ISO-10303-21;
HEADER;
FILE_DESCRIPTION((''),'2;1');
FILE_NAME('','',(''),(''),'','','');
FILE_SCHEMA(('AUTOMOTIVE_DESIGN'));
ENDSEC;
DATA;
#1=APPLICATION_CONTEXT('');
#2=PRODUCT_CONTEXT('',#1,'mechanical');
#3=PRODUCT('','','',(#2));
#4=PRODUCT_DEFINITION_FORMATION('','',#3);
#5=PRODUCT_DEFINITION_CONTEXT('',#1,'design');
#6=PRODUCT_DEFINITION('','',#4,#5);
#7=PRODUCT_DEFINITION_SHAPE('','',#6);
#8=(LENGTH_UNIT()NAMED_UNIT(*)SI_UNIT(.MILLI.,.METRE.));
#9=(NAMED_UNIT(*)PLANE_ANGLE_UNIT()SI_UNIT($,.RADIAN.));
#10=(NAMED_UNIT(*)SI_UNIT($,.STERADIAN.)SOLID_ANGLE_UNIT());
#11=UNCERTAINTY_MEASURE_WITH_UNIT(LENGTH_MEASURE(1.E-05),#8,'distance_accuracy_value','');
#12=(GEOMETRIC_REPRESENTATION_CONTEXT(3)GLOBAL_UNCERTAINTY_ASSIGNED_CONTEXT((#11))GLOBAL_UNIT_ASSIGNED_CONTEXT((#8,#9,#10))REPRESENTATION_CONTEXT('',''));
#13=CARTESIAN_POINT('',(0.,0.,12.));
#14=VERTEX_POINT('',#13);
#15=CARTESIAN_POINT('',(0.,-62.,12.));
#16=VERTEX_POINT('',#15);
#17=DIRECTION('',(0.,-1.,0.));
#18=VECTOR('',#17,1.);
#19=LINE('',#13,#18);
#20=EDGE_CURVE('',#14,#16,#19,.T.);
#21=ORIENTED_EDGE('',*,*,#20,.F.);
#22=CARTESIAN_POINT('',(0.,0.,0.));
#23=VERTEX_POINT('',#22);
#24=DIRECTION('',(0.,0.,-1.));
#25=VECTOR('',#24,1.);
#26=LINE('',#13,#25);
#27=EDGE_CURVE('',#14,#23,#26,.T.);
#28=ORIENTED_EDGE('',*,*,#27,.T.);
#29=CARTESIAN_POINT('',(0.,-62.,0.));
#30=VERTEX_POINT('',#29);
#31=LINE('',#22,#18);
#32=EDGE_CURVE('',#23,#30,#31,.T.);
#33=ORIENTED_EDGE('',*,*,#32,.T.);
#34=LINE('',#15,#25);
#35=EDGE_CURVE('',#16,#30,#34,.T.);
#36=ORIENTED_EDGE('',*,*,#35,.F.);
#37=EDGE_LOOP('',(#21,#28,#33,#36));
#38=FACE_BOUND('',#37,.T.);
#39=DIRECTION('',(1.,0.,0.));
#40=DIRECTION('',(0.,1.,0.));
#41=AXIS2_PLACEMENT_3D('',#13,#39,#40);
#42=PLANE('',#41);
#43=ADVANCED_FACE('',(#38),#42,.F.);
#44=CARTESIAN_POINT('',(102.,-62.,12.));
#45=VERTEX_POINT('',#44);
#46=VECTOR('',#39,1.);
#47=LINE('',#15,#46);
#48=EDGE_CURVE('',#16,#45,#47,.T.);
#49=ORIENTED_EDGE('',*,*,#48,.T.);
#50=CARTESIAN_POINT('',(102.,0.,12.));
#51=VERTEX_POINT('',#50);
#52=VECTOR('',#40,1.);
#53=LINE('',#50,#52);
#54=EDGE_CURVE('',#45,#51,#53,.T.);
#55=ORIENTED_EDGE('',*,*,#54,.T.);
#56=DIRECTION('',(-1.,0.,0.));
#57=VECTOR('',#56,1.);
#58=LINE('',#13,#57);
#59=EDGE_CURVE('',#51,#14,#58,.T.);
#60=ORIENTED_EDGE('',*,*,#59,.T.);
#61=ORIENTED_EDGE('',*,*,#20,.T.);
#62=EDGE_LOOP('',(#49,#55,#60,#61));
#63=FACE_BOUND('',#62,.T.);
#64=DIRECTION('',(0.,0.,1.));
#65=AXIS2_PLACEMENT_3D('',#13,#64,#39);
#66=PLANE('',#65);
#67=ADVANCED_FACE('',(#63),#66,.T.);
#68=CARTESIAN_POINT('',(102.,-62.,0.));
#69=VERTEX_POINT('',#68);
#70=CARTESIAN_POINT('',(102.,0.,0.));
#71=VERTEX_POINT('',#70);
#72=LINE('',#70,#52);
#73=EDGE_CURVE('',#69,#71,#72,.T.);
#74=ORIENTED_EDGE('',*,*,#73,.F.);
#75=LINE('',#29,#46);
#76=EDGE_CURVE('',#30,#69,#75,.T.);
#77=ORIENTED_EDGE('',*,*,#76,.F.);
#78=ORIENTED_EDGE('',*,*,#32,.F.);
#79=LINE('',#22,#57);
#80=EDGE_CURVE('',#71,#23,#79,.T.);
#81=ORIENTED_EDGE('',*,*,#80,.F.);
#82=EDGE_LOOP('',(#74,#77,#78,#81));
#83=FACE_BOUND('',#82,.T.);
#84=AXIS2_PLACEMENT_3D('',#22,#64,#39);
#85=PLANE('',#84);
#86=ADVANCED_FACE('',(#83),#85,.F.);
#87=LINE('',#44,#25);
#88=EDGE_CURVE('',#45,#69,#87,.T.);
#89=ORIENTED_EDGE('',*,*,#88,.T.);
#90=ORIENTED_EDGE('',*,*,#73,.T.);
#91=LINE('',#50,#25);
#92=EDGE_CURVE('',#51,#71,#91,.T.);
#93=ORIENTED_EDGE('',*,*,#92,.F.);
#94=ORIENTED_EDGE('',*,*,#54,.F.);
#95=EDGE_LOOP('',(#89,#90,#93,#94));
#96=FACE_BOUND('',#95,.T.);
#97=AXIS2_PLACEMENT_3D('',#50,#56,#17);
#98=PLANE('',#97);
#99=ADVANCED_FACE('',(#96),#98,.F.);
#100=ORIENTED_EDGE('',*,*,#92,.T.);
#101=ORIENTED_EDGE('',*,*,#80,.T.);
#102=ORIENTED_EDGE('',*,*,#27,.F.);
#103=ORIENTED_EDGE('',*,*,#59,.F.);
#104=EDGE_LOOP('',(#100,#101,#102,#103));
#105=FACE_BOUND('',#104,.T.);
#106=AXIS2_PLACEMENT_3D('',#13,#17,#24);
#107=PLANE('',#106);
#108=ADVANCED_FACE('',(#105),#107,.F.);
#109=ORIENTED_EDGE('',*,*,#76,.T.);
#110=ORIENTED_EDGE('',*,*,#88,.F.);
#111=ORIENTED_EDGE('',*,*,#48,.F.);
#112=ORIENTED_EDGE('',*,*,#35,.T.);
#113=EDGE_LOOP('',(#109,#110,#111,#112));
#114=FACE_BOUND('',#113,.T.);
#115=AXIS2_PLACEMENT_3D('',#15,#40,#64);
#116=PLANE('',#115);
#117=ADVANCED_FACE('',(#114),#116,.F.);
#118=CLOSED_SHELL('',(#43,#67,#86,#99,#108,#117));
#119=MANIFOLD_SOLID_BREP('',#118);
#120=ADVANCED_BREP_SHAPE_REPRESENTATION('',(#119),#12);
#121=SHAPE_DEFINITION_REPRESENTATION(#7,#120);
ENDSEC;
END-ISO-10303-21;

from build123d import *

# Parameters (mm, degrees)
SKETCH_1_W      = 102
SKETCH_1_H      = 62
EXTRUDE_1_DEPTH = 12


with BuildPart() as part:
    # 草图1 → 凸台-拉伸1 (new body)
    with BuildSketch(Plane.XY):
        with Locations((51, -31)):
            Rectangle(SKETCH_1_W, SKETCH_1_H)
    extrude(amount=EXTRUDE_1_DEPTH)


solid = part.part
